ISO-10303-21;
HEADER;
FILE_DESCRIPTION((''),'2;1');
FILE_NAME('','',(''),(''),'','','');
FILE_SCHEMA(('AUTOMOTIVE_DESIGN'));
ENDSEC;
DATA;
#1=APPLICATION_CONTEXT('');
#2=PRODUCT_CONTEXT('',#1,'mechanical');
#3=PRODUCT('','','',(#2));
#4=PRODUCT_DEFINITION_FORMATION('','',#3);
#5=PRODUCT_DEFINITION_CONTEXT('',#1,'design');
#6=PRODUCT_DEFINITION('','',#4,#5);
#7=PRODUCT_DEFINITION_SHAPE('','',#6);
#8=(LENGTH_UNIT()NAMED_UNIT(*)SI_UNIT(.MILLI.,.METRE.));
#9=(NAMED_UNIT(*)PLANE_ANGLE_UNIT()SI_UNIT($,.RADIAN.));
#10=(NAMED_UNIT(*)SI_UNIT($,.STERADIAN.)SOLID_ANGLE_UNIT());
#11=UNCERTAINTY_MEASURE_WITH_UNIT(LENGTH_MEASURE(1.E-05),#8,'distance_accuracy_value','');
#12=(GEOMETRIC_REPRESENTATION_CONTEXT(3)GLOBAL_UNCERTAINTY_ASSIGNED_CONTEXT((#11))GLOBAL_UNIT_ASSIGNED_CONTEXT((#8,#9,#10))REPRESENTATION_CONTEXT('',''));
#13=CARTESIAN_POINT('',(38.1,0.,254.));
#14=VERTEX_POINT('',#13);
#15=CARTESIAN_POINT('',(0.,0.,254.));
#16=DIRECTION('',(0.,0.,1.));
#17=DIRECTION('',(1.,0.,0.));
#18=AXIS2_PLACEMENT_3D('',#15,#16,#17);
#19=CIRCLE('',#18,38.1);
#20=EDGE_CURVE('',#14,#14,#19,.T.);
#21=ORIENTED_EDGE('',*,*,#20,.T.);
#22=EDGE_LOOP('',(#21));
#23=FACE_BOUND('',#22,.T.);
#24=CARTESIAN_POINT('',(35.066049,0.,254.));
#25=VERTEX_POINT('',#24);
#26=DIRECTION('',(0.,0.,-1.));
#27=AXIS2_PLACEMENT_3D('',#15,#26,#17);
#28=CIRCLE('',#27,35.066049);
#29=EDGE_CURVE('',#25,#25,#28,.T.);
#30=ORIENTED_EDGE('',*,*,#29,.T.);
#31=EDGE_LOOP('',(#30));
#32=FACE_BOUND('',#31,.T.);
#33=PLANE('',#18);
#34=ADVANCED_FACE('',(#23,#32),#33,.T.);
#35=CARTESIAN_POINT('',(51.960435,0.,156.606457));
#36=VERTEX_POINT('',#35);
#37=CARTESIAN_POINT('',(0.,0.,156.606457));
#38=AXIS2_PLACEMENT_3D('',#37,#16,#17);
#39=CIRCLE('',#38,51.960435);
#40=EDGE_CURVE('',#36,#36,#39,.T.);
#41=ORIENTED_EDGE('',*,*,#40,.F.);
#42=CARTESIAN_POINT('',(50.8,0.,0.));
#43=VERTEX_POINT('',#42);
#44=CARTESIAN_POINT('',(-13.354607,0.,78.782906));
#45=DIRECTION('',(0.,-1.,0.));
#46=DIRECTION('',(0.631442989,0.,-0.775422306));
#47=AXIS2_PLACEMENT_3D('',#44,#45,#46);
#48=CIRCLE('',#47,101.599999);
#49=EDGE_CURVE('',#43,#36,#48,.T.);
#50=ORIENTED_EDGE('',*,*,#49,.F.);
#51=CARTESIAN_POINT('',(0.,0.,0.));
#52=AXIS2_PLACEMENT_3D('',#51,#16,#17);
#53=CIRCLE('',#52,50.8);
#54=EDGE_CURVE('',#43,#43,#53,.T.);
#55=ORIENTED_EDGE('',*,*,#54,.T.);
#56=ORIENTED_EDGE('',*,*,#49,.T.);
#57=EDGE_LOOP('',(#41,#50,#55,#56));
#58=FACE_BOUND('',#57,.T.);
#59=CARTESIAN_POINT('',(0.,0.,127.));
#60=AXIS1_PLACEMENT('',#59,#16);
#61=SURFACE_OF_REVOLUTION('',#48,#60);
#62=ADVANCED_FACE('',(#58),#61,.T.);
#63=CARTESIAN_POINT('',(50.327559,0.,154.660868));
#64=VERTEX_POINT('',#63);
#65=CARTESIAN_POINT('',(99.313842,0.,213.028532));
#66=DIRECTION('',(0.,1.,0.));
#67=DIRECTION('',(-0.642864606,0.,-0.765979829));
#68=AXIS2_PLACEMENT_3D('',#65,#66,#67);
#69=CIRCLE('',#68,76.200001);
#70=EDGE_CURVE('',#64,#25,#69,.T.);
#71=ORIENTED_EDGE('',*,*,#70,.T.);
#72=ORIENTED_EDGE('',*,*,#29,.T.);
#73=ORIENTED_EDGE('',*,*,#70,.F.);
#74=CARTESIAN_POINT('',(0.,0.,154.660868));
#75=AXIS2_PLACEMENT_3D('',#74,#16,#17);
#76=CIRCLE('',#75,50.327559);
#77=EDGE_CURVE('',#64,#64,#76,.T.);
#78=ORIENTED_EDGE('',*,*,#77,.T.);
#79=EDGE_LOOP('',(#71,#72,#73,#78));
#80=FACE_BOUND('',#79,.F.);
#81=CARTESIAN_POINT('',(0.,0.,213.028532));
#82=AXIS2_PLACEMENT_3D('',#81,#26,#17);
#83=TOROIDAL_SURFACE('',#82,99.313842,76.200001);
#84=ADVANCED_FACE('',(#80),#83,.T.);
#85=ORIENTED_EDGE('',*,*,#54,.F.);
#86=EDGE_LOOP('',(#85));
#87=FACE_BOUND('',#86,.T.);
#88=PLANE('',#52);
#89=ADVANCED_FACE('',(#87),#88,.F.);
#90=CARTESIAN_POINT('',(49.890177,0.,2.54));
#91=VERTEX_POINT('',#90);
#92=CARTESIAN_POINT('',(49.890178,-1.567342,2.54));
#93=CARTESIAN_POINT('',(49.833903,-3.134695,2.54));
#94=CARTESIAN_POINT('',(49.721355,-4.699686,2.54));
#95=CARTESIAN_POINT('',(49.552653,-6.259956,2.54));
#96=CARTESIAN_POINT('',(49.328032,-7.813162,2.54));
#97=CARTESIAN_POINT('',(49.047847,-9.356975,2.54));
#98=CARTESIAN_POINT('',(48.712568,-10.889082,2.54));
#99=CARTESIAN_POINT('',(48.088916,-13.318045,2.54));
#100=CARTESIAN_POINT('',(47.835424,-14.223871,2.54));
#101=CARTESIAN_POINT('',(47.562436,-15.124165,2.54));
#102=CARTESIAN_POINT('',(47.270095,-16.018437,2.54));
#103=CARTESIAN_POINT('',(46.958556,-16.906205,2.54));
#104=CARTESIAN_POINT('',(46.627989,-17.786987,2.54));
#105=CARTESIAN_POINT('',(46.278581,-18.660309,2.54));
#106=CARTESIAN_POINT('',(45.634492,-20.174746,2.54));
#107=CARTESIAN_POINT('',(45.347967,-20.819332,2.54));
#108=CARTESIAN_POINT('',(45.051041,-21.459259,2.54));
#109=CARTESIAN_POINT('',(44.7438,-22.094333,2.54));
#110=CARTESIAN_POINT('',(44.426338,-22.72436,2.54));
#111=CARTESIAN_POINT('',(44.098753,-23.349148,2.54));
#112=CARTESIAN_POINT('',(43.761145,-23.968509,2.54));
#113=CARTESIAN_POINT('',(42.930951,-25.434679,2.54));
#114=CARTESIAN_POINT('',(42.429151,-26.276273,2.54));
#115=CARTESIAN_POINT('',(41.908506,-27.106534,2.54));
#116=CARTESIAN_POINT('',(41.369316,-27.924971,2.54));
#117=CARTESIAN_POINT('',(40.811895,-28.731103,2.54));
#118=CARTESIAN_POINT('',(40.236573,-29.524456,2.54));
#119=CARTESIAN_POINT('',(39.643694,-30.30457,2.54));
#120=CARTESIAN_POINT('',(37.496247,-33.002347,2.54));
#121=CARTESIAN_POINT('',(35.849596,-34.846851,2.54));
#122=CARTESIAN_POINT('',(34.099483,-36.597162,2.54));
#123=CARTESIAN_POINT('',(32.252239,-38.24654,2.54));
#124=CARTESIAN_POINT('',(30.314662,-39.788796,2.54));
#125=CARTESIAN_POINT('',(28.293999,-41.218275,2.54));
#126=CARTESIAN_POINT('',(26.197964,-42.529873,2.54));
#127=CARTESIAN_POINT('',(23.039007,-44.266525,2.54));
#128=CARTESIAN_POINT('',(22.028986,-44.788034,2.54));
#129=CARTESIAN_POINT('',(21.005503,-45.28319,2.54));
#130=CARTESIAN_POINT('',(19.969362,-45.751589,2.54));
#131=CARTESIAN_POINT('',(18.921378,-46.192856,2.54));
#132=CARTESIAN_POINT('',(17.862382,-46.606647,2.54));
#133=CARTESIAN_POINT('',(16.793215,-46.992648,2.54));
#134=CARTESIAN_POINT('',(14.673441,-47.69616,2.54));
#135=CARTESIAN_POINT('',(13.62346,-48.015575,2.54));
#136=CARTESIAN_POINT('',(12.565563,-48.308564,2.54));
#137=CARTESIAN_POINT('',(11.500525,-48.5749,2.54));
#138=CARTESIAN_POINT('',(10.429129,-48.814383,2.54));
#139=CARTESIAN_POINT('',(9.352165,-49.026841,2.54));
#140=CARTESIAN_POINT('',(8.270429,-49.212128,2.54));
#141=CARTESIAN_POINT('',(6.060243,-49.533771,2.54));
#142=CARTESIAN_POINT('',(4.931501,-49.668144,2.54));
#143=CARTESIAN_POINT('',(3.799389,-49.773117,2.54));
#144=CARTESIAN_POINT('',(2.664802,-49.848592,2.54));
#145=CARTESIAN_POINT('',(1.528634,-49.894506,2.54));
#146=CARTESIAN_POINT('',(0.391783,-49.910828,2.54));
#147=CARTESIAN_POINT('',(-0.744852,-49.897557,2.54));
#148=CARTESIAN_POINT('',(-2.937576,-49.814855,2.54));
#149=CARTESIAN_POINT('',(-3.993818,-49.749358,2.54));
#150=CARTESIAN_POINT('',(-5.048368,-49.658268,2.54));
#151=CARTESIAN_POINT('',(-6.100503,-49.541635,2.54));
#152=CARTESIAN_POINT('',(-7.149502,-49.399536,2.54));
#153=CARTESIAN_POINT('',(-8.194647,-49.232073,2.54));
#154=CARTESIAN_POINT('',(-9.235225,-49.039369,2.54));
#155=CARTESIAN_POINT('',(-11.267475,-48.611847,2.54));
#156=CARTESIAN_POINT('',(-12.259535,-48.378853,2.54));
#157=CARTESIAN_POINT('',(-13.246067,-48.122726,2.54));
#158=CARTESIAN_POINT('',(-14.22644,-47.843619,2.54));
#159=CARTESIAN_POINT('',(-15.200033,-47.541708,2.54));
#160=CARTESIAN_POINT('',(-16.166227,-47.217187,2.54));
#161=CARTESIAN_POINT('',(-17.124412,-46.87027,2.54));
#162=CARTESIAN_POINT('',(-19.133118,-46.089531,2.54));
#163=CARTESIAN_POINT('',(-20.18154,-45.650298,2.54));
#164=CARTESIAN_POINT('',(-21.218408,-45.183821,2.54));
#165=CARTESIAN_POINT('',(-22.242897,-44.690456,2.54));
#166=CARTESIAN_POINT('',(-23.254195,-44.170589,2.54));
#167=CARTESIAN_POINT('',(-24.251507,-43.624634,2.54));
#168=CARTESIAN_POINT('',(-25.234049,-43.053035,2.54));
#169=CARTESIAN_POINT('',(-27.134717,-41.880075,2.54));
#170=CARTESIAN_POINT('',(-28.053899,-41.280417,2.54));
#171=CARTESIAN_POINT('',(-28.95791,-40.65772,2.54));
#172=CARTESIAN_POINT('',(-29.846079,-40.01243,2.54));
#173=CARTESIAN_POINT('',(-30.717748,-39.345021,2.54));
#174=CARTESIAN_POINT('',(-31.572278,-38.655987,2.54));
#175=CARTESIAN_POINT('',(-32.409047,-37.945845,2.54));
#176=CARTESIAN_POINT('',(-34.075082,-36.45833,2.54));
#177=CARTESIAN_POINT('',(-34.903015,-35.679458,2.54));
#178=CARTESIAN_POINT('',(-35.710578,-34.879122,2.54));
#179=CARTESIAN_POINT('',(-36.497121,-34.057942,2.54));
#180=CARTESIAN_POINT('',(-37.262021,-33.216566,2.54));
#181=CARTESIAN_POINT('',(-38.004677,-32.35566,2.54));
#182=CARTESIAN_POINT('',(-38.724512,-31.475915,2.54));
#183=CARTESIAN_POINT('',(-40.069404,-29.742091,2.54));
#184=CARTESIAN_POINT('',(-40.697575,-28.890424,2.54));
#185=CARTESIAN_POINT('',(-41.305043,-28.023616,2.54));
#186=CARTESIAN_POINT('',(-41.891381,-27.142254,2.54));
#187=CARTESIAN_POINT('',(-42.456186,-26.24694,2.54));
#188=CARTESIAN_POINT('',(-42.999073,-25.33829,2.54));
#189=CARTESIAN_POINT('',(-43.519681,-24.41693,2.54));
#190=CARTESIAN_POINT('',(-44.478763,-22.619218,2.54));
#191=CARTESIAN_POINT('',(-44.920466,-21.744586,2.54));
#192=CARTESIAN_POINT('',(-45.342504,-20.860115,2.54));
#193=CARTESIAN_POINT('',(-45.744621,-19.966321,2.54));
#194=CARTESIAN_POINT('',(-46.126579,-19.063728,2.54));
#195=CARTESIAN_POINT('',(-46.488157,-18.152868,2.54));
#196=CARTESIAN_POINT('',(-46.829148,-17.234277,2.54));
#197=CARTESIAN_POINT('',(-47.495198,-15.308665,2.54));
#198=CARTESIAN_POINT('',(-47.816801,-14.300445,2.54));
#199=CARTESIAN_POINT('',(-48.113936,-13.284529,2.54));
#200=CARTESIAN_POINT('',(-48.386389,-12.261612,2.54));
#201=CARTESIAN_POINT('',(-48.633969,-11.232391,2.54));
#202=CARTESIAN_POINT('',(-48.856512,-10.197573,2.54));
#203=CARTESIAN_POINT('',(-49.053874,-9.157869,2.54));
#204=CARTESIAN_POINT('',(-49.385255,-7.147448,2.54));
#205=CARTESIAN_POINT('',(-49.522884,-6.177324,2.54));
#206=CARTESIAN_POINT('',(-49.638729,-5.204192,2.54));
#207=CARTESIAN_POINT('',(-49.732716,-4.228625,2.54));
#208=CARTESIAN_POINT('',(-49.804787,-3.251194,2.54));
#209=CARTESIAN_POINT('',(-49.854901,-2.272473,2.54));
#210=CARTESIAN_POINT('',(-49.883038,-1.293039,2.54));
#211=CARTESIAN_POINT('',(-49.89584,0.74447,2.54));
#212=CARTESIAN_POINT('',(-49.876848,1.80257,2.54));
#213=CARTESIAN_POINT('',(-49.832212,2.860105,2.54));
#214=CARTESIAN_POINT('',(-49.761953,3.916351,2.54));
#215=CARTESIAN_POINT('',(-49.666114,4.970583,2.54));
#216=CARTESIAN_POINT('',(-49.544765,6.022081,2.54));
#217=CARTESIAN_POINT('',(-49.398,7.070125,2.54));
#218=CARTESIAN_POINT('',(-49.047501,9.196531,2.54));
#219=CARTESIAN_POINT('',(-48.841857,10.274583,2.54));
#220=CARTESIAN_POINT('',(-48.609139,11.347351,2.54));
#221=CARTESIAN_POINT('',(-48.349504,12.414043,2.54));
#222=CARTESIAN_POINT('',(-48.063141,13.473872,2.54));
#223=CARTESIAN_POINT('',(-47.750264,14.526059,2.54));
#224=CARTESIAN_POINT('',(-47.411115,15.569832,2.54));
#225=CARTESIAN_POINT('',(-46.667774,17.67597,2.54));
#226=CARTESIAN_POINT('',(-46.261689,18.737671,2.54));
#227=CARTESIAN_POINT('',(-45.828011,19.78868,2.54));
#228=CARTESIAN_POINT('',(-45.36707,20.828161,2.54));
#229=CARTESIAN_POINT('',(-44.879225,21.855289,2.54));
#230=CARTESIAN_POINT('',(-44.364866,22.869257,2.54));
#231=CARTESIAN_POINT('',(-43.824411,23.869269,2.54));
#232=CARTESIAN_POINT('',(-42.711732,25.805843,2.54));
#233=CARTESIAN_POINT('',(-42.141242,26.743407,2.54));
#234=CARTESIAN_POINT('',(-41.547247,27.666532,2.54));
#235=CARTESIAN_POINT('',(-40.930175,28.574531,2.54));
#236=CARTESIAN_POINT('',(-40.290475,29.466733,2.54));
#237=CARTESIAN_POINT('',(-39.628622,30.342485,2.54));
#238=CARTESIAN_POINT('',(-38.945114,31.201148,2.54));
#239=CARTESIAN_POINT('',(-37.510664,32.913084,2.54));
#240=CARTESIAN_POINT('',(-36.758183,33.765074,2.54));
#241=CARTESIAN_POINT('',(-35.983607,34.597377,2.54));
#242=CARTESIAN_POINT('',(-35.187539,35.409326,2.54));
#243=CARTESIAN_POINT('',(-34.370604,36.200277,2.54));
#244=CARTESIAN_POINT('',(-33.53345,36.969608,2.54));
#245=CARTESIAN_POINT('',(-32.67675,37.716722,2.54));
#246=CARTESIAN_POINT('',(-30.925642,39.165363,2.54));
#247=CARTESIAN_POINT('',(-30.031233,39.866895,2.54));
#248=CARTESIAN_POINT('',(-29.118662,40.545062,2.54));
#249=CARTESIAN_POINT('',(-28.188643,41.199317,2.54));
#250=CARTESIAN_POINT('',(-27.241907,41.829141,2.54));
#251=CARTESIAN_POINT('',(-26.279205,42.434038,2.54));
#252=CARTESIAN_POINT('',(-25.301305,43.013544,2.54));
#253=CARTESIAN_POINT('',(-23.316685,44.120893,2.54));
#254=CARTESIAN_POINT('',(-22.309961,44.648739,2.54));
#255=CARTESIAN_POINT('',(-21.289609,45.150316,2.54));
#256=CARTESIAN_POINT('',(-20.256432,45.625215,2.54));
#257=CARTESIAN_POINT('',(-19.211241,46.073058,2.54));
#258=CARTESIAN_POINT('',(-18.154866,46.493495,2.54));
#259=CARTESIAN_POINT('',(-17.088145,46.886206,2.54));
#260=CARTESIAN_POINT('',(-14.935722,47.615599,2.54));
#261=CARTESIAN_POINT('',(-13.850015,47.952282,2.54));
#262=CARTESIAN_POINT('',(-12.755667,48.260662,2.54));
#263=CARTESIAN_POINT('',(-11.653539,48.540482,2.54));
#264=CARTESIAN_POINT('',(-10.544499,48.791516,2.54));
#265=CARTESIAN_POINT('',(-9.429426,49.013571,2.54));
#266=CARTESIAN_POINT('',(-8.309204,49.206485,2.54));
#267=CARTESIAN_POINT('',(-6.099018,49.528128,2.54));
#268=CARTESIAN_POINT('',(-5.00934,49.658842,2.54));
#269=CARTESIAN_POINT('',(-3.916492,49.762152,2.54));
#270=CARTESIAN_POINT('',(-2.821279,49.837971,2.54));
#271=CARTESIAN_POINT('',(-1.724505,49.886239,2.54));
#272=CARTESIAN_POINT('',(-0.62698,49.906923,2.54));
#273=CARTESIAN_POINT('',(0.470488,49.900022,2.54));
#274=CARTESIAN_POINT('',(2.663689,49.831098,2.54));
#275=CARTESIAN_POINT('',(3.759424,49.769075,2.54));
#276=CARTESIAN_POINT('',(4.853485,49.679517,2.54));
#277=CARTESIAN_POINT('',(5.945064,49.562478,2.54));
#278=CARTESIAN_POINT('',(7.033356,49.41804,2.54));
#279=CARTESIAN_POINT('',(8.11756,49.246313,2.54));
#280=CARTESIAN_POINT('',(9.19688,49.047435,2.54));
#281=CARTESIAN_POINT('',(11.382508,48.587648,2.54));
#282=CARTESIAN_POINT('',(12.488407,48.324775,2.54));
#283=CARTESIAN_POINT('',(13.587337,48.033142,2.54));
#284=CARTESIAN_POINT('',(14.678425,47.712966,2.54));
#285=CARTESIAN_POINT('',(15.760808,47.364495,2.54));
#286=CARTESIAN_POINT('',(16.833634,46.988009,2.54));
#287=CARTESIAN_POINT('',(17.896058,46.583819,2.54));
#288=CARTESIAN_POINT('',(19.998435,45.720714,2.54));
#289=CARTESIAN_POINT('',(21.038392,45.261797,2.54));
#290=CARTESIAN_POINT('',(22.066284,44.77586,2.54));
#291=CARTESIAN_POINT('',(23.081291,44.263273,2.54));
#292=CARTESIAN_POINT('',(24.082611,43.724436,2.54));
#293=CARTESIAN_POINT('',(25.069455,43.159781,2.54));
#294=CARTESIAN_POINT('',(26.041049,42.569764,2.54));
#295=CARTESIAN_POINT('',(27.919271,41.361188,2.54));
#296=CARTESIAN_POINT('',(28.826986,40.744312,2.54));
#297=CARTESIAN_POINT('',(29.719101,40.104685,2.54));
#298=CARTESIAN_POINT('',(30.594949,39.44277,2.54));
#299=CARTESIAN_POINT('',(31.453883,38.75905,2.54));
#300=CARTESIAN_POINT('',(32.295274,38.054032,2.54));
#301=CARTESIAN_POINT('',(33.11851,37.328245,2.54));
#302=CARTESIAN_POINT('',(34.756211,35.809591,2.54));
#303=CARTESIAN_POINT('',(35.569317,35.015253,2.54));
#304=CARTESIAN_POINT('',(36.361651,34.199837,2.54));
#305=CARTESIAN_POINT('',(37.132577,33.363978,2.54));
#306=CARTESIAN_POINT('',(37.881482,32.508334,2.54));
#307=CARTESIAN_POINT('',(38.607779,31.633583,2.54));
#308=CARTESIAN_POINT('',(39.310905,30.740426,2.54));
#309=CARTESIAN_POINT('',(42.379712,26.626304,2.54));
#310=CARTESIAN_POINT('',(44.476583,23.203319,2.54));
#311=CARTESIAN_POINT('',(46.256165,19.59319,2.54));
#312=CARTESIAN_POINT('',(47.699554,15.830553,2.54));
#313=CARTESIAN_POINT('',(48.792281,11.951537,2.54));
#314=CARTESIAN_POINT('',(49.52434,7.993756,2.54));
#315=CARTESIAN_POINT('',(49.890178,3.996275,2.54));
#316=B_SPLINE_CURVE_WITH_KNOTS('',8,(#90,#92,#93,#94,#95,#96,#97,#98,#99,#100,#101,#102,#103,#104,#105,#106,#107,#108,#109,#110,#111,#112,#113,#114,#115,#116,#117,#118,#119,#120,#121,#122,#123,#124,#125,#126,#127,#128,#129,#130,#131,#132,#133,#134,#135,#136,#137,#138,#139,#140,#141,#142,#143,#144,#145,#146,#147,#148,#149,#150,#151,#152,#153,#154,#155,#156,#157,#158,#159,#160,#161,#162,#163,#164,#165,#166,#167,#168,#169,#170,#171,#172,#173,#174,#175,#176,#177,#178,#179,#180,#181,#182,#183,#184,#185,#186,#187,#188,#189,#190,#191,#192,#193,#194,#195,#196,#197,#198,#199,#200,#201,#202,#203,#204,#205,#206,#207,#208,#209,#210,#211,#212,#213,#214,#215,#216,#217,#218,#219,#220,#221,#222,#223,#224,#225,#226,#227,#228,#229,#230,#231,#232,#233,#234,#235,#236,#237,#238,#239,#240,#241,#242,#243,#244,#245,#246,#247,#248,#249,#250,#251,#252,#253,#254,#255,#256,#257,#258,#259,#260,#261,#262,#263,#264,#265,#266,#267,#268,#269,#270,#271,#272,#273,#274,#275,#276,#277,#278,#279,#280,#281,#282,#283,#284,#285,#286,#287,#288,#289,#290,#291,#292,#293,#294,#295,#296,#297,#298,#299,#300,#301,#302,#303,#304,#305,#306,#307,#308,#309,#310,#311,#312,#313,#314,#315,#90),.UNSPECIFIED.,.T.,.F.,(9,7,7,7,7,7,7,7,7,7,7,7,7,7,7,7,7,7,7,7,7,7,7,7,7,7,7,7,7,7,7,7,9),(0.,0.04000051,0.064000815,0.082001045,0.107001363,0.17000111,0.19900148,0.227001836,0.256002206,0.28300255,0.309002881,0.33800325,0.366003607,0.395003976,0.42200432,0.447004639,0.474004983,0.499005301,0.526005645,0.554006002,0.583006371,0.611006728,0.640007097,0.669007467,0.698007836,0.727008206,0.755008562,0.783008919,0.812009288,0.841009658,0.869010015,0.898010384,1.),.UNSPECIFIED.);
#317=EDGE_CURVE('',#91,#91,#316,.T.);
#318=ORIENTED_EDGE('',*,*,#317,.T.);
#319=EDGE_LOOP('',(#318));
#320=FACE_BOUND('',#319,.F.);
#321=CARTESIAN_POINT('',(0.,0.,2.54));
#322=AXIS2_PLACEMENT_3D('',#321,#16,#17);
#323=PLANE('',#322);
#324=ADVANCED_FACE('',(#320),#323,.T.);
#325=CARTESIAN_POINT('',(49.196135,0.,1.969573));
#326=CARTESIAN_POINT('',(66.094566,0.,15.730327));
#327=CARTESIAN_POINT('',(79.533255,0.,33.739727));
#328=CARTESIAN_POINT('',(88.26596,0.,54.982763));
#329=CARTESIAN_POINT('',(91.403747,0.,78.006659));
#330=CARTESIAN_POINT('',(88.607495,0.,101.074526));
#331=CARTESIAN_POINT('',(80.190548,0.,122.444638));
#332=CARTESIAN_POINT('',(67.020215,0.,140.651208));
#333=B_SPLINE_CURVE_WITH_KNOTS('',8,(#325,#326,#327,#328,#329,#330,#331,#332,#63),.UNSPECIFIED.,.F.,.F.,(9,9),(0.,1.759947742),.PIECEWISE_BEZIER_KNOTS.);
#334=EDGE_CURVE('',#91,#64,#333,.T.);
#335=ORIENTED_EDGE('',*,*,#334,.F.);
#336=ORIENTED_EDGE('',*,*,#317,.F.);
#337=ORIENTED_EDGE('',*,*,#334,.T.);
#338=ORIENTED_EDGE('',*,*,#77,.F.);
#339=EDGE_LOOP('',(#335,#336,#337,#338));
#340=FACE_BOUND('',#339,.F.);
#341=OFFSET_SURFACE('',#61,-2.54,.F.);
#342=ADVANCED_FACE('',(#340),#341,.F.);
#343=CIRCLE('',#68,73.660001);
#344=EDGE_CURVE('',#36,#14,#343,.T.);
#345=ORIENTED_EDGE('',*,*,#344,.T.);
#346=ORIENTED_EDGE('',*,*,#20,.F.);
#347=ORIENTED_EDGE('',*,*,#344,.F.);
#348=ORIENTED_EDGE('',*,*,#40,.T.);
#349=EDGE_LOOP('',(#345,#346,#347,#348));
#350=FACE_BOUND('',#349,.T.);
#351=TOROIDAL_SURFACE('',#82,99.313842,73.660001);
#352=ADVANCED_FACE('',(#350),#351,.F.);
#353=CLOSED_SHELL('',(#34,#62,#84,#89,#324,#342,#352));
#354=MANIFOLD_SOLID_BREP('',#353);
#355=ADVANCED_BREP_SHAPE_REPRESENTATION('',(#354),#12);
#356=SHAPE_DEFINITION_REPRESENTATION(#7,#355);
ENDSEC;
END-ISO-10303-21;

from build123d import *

# Parameters (mm, degrees)
F2_T = -2.54


with BuildPart() as f1:
    # F0 (on Front) → F1 (revolve)
    with BuildSketch(Plane.XZ):
        with BuildLine():
            Line((0, 254), (0, 0))
            Line((0, 0), (50.8, 0))
            ThreePointArc((50.8, 0), (88.242603, 78.030083), (51.960435, 156.606457))
            ThreePointArc((51.960435, 156.606457), (26.388624, 202.650274), (38.1, 254))
            Line((38.1, 254), (0, 254))
        make_face()
    revolve(axis=Axis((0, 0, 127), (0, 0, 1)))

    # F2
    f2_openings = [f1.faces().sort_by_distance(p)[0] for p in [
        (0, 0, 254),
    ]]
    offset(amount=F2_T, openings=f2_openings)


solid = f1.part
